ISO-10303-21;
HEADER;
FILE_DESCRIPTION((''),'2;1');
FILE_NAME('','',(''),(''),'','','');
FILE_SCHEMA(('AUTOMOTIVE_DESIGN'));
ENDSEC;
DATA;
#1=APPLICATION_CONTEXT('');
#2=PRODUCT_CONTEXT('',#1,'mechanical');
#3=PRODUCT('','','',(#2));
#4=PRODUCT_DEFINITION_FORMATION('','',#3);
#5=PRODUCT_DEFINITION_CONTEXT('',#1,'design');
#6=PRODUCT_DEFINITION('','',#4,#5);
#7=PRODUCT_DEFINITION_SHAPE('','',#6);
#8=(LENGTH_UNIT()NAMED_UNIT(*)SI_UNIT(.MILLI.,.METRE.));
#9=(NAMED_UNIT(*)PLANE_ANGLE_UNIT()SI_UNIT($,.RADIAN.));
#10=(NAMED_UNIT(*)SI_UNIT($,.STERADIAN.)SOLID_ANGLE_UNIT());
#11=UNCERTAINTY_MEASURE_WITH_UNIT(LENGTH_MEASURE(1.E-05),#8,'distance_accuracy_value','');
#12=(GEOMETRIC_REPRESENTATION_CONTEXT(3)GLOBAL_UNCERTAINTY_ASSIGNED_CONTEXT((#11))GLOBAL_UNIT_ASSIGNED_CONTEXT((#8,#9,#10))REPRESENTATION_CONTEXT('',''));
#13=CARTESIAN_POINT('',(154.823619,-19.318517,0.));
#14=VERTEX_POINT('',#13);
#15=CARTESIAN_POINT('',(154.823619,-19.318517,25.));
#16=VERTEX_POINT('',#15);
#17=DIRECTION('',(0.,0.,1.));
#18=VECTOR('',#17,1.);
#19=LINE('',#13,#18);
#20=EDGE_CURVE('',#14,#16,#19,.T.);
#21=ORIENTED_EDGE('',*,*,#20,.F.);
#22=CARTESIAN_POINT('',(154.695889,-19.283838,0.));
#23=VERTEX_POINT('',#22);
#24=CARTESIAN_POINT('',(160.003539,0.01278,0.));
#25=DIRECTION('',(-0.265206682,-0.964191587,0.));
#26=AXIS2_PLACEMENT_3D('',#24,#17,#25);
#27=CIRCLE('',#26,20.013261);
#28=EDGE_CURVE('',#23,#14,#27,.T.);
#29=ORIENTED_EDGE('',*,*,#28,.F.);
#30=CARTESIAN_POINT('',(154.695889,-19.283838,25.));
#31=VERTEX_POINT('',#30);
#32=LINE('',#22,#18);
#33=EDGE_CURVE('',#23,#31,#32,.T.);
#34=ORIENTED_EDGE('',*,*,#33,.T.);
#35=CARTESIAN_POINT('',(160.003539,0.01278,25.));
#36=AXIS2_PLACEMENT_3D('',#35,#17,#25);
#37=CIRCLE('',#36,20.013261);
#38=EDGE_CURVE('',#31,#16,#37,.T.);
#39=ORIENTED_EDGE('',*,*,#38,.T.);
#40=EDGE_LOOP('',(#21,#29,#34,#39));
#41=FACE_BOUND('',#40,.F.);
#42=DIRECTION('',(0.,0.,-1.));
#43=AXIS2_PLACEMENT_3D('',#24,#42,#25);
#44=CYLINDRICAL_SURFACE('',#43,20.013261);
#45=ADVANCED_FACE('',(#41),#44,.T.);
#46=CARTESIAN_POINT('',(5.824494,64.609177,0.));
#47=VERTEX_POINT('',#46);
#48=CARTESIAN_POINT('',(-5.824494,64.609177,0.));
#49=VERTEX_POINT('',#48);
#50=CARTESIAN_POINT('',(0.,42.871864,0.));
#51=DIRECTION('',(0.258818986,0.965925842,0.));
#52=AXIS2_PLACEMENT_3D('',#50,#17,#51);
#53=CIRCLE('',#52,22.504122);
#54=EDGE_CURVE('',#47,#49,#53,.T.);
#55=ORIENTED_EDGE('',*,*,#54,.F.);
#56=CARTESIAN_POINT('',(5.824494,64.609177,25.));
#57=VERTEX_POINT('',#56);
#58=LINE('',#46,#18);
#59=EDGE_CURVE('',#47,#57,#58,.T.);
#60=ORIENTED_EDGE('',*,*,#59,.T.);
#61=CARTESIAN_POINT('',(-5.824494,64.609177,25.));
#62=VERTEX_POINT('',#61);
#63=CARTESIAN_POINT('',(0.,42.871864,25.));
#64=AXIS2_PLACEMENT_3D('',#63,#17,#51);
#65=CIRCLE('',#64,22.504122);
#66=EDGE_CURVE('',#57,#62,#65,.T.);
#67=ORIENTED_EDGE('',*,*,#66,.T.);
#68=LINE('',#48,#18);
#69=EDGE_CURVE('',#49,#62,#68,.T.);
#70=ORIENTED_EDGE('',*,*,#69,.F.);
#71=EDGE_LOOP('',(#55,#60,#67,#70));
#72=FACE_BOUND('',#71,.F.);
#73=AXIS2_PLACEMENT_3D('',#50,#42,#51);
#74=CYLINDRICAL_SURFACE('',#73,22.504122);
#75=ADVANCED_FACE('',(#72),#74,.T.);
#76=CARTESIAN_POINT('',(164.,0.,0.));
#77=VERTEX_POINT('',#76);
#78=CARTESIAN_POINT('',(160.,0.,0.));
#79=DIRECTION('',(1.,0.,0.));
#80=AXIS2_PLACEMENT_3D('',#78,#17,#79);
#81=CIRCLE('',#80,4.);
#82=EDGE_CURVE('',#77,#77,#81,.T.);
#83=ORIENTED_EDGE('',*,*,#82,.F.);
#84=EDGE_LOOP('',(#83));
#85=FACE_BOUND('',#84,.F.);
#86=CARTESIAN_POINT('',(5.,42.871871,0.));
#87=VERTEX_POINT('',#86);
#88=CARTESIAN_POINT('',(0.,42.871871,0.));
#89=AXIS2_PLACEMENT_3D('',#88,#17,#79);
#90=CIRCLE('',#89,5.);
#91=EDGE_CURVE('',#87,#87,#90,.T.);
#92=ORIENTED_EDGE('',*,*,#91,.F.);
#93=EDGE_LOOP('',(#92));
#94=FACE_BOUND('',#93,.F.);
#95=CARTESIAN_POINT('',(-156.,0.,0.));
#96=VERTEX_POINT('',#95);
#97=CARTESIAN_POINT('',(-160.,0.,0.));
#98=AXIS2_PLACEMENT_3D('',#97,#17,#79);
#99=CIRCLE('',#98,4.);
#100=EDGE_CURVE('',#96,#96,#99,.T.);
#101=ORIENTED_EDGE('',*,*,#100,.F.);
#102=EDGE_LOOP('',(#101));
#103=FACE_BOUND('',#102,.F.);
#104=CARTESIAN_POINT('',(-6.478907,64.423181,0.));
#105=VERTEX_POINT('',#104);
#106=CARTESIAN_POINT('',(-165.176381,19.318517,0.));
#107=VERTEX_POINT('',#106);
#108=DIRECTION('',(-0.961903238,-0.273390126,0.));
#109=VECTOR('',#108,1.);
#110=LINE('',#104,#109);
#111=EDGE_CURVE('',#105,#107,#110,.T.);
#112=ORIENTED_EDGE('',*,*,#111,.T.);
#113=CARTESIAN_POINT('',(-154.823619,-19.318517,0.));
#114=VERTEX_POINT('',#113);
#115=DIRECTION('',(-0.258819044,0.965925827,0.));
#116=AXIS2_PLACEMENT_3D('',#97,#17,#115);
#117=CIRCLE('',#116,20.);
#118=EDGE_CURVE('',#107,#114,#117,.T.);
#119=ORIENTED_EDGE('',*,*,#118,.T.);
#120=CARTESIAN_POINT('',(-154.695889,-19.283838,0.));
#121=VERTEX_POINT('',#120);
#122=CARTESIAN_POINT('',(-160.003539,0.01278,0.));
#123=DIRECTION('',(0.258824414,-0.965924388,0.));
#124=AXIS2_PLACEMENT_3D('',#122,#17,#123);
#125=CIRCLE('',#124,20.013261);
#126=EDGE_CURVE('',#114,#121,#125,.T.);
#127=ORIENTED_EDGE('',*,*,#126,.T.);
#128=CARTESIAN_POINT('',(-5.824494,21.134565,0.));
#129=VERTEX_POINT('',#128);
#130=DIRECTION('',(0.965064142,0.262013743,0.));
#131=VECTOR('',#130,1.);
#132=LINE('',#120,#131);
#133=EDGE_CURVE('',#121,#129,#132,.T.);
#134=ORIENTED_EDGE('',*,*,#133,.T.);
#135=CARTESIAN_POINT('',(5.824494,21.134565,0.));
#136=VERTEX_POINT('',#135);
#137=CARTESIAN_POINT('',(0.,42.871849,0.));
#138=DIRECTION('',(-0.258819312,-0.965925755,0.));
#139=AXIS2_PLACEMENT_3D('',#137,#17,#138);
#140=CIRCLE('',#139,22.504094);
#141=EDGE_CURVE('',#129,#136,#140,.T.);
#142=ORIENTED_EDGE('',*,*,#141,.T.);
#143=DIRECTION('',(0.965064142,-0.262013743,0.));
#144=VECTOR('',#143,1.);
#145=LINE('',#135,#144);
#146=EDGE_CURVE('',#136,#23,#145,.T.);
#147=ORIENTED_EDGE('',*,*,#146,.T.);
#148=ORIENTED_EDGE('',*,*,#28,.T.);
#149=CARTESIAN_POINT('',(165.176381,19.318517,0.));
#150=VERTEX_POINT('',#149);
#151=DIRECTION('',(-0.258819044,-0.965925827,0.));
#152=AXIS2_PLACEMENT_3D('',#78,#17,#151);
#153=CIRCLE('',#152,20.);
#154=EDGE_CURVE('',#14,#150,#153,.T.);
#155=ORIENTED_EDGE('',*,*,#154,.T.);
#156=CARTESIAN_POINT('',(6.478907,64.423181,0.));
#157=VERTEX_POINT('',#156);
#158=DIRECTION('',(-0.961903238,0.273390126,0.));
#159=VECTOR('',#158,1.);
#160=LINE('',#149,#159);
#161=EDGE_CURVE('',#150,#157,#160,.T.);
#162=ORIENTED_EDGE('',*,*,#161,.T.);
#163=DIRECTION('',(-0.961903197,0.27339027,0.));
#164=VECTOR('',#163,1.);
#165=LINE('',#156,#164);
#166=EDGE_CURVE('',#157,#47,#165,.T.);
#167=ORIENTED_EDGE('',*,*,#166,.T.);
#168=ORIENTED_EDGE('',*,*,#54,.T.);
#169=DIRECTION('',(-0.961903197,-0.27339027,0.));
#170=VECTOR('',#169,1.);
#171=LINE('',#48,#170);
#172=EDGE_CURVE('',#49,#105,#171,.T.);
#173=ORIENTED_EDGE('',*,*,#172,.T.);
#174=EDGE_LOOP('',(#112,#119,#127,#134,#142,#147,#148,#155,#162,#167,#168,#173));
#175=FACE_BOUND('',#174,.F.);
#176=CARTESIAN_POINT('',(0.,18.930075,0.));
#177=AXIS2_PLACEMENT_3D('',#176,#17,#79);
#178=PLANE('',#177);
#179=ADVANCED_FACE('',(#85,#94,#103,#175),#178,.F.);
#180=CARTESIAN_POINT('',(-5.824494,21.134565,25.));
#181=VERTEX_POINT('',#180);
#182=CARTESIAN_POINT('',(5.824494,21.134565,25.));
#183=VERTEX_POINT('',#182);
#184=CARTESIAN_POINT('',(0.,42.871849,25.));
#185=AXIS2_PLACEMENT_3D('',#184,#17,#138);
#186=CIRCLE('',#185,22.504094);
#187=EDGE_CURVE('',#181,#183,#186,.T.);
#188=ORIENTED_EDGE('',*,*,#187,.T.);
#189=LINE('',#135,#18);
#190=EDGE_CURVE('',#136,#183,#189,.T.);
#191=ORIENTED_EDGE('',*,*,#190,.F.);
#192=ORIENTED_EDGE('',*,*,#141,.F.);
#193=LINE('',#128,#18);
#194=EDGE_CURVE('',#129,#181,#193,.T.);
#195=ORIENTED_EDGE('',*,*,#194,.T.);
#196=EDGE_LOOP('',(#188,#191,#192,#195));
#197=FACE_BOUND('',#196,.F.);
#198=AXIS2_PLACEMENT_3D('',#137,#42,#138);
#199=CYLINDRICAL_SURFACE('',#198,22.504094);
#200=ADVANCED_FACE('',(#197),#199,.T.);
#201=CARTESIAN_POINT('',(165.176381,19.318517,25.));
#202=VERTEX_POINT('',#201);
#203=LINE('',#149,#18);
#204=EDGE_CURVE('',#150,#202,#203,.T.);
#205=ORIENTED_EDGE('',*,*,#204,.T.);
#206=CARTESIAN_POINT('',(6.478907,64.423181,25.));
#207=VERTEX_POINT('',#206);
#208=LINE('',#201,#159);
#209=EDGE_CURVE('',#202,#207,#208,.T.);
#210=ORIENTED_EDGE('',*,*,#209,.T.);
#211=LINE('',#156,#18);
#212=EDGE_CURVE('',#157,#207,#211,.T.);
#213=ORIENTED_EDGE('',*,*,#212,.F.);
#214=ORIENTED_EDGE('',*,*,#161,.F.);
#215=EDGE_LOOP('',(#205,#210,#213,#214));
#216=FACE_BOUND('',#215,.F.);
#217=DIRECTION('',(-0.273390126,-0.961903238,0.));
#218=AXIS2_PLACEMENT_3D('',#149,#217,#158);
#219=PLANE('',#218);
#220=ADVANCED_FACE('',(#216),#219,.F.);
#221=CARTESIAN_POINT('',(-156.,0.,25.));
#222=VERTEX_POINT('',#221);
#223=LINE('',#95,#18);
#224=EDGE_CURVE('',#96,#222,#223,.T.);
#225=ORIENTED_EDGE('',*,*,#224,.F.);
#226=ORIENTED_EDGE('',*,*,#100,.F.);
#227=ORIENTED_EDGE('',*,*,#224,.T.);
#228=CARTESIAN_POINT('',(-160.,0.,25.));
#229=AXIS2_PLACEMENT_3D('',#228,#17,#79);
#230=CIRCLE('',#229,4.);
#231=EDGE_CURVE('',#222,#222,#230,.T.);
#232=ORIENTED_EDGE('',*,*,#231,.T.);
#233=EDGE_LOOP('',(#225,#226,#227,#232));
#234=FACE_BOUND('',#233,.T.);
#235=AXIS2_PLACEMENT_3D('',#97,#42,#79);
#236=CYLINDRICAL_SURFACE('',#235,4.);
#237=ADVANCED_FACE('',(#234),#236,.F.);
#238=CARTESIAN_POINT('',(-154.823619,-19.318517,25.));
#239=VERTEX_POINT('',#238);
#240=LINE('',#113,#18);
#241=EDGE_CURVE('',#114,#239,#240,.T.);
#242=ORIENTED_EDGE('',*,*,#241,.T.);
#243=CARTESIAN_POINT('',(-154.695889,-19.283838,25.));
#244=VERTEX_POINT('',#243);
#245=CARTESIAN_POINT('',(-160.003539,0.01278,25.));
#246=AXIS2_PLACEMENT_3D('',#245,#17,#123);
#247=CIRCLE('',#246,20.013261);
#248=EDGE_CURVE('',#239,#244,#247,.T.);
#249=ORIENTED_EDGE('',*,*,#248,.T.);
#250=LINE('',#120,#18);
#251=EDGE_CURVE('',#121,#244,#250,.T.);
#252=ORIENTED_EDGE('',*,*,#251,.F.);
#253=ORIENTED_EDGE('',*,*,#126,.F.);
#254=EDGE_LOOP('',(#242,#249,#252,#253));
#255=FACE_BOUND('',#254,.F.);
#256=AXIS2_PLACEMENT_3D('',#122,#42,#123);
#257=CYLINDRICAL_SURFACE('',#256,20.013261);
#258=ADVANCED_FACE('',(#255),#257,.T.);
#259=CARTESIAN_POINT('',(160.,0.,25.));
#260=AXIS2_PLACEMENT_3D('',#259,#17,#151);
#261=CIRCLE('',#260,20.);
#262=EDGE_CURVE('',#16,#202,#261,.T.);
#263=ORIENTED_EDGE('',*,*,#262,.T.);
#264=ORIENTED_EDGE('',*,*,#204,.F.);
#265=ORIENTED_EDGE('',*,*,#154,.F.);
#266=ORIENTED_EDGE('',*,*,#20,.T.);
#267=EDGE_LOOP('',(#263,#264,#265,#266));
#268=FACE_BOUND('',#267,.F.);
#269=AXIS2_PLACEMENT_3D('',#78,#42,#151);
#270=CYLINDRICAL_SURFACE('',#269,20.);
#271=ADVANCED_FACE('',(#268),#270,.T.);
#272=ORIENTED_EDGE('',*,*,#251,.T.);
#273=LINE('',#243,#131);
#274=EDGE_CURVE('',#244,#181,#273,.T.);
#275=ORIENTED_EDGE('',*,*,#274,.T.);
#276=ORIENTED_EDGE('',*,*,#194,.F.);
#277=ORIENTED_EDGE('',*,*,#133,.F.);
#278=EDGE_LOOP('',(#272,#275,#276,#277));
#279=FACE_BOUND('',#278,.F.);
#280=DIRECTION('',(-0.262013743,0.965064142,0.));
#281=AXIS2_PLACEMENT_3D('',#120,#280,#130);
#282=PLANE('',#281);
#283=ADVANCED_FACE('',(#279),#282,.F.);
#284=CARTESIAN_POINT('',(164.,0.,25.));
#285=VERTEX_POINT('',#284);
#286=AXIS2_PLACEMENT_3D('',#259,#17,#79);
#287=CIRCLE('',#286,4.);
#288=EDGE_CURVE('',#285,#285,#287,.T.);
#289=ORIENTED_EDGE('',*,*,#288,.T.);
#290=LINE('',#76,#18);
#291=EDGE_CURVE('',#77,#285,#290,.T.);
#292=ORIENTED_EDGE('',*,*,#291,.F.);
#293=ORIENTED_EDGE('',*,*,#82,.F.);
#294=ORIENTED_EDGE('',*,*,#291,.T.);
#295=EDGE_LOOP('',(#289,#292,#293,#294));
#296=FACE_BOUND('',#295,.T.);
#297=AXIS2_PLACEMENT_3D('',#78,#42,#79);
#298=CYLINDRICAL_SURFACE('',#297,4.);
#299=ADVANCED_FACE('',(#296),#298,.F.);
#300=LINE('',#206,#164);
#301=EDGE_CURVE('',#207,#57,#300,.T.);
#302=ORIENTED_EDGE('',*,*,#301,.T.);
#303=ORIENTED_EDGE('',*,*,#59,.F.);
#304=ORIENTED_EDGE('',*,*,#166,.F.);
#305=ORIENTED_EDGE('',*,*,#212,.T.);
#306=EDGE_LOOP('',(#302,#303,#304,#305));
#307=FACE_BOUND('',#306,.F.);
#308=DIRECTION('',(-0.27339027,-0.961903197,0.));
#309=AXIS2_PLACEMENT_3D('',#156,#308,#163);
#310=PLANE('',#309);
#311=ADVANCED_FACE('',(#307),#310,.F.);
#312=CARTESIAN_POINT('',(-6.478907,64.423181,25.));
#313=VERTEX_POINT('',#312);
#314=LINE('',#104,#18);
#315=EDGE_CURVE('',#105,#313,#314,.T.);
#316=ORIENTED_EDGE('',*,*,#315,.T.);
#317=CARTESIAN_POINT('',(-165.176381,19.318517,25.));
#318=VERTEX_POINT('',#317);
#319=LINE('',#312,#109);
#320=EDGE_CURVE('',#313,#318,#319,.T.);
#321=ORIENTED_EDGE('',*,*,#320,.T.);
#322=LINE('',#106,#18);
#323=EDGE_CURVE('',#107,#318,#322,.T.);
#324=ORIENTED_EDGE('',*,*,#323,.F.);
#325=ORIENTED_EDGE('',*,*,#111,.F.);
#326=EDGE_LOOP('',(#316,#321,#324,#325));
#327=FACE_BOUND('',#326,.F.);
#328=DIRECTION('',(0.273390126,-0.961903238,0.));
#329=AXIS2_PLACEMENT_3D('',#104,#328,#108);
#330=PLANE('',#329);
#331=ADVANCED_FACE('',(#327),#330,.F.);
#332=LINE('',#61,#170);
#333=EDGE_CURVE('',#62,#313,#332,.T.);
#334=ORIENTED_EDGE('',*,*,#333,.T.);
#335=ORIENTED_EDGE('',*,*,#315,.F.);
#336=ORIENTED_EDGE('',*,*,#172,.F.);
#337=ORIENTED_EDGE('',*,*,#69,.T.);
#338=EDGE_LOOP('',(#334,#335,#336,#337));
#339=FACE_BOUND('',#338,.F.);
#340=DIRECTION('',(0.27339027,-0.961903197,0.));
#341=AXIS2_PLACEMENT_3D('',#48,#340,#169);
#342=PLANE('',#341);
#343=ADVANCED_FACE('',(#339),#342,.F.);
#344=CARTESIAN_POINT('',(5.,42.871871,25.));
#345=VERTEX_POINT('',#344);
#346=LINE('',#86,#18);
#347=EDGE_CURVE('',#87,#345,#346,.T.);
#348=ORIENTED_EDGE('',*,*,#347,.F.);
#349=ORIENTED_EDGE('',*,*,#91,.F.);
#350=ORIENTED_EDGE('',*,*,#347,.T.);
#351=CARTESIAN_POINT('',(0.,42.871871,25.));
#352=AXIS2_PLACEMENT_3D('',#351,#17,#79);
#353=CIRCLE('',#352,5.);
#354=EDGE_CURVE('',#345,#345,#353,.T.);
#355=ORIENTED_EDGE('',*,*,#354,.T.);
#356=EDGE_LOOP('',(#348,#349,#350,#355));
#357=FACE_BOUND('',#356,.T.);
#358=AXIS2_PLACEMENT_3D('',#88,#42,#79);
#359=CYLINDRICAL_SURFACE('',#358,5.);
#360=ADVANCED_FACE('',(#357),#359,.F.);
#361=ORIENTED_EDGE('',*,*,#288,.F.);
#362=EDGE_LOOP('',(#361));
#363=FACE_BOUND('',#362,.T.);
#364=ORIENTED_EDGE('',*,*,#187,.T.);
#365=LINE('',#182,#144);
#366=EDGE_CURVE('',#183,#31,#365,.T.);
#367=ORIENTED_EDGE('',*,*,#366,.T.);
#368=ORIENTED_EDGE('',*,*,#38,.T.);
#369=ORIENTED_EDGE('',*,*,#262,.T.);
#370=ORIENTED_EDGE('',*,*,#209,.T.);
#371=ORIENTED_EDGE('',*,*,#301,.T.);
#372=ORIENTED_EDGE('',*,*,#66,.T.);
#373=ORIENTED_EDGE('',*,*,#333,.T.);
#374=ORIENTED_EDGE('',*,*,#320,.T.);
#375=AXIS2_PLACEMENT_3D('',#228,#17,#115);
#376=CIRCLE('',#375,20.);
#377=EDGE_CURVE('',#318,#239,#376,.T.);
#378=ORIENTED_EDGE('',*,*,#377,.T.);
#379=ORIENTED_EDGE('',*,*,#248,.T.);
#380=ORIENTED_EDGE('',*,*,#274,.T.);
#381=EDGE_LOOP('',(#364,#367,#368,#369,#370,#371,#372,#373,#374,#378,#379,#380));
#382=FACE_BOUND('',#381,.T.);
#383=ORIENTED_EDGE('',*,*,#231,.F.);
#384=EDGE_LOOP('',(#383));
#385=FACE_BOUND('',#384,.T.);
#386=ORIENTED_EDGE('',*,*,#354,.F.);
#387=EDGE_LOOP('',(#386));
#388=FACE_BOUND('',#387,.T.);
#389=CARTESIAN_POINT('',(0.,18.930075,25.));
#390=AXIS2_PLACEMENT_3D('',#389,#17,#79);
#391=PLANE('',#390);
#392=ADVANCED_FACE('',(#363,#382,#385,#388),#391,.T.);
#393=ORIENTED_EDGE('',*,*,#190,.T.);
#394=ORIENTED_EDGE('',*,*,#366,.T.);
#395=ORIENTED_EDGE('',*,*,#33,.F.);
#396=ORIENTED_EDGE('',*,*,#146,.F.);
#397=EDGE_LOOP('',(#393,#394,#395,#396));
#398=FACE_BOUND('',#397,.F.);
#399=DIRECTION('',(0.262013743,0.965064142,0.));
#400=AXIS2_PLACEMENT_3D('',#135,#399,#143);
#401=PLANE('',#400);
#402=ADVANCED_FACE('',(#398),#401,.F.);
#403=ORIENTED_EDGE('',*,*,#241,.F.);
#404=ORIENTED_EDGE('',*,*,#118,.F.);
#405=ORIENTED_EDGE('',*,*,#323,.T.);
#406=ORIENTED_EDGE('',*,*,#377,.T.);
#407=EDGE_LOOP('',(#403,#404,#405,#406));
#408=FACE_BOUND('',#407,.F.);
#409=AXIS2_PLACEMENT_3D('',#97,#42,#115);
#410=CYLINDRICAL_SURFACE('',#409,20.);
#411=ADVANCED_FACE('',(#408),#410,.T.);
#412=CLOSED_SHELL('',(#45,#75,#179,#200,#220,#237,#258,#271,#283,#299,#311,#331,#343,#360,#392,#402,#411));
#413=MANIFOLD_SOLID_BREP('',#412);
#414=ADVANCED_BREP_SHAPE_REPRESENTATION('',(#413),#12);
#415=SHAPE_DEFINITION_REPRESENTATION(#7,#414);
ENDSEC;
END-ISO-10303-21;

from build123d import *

# Parameters (mm, degrees)
F0_R     = 4
F0_R_2   = 5
F1_DEPTH = 25


with BuildPart() as f1:
    # F0 (on Top) → F1 (new body)
    with BuildSketch(Plane.XY):
        with BuildLine():
            Line((-6.478907, 64.423181), (-165.176381, 19.318517))
            ThreePointArc((-165.176381, 19.318517), (-179.318517, -5.176381), (-154.823619, -19.318517))
            ThreePointArc((-154.823619, -19.318517), (-154.759725, -19.301283), (-154.695889, -19.283838))
            Line((-154.695889, -19.283838), (-5.824494, 21.134565))
            ThreePointArc((-5.824494, 21.134565), (0, 20.367755), (5.824494, 21.134565))
            Line((5.824494, 21.134565), (154.695889, -19.283838))
            ThreePointArc((154.695889, -19.283838), (154.759725, -19.301283), (154.823619, -19.318517))
            ThreePointArc((154.823619, -19.318517), (179.318517, -5.176381), (165.176381, 19.318517))
            Line((165.176381, 19.318517), (6.478907, 64.423181))
            Line((6.478907, 64.423181), (5.824494, 64.609177))
            ThreePointArc((5.824494, 64.609177), (0, 65.375986), (-5.824494, 64.609177))
            Line((-5.824494, 64.609177), (-6.478907, 64.423181))
        make_face()
        with Locations((-160, 0)):
            Circle(F0_R, mode=Mode.SUBTRACT)
        with Locations((160, 0)):
            Circle(F0_R, mode=Mode.SUBTRACT)
        with Locations((0, 42.871871)):
            Circle(F0_R_2, mode=Mode.SUBTRACT)
    extrude(amount=F1_DEPTH)


solid = f1.part
